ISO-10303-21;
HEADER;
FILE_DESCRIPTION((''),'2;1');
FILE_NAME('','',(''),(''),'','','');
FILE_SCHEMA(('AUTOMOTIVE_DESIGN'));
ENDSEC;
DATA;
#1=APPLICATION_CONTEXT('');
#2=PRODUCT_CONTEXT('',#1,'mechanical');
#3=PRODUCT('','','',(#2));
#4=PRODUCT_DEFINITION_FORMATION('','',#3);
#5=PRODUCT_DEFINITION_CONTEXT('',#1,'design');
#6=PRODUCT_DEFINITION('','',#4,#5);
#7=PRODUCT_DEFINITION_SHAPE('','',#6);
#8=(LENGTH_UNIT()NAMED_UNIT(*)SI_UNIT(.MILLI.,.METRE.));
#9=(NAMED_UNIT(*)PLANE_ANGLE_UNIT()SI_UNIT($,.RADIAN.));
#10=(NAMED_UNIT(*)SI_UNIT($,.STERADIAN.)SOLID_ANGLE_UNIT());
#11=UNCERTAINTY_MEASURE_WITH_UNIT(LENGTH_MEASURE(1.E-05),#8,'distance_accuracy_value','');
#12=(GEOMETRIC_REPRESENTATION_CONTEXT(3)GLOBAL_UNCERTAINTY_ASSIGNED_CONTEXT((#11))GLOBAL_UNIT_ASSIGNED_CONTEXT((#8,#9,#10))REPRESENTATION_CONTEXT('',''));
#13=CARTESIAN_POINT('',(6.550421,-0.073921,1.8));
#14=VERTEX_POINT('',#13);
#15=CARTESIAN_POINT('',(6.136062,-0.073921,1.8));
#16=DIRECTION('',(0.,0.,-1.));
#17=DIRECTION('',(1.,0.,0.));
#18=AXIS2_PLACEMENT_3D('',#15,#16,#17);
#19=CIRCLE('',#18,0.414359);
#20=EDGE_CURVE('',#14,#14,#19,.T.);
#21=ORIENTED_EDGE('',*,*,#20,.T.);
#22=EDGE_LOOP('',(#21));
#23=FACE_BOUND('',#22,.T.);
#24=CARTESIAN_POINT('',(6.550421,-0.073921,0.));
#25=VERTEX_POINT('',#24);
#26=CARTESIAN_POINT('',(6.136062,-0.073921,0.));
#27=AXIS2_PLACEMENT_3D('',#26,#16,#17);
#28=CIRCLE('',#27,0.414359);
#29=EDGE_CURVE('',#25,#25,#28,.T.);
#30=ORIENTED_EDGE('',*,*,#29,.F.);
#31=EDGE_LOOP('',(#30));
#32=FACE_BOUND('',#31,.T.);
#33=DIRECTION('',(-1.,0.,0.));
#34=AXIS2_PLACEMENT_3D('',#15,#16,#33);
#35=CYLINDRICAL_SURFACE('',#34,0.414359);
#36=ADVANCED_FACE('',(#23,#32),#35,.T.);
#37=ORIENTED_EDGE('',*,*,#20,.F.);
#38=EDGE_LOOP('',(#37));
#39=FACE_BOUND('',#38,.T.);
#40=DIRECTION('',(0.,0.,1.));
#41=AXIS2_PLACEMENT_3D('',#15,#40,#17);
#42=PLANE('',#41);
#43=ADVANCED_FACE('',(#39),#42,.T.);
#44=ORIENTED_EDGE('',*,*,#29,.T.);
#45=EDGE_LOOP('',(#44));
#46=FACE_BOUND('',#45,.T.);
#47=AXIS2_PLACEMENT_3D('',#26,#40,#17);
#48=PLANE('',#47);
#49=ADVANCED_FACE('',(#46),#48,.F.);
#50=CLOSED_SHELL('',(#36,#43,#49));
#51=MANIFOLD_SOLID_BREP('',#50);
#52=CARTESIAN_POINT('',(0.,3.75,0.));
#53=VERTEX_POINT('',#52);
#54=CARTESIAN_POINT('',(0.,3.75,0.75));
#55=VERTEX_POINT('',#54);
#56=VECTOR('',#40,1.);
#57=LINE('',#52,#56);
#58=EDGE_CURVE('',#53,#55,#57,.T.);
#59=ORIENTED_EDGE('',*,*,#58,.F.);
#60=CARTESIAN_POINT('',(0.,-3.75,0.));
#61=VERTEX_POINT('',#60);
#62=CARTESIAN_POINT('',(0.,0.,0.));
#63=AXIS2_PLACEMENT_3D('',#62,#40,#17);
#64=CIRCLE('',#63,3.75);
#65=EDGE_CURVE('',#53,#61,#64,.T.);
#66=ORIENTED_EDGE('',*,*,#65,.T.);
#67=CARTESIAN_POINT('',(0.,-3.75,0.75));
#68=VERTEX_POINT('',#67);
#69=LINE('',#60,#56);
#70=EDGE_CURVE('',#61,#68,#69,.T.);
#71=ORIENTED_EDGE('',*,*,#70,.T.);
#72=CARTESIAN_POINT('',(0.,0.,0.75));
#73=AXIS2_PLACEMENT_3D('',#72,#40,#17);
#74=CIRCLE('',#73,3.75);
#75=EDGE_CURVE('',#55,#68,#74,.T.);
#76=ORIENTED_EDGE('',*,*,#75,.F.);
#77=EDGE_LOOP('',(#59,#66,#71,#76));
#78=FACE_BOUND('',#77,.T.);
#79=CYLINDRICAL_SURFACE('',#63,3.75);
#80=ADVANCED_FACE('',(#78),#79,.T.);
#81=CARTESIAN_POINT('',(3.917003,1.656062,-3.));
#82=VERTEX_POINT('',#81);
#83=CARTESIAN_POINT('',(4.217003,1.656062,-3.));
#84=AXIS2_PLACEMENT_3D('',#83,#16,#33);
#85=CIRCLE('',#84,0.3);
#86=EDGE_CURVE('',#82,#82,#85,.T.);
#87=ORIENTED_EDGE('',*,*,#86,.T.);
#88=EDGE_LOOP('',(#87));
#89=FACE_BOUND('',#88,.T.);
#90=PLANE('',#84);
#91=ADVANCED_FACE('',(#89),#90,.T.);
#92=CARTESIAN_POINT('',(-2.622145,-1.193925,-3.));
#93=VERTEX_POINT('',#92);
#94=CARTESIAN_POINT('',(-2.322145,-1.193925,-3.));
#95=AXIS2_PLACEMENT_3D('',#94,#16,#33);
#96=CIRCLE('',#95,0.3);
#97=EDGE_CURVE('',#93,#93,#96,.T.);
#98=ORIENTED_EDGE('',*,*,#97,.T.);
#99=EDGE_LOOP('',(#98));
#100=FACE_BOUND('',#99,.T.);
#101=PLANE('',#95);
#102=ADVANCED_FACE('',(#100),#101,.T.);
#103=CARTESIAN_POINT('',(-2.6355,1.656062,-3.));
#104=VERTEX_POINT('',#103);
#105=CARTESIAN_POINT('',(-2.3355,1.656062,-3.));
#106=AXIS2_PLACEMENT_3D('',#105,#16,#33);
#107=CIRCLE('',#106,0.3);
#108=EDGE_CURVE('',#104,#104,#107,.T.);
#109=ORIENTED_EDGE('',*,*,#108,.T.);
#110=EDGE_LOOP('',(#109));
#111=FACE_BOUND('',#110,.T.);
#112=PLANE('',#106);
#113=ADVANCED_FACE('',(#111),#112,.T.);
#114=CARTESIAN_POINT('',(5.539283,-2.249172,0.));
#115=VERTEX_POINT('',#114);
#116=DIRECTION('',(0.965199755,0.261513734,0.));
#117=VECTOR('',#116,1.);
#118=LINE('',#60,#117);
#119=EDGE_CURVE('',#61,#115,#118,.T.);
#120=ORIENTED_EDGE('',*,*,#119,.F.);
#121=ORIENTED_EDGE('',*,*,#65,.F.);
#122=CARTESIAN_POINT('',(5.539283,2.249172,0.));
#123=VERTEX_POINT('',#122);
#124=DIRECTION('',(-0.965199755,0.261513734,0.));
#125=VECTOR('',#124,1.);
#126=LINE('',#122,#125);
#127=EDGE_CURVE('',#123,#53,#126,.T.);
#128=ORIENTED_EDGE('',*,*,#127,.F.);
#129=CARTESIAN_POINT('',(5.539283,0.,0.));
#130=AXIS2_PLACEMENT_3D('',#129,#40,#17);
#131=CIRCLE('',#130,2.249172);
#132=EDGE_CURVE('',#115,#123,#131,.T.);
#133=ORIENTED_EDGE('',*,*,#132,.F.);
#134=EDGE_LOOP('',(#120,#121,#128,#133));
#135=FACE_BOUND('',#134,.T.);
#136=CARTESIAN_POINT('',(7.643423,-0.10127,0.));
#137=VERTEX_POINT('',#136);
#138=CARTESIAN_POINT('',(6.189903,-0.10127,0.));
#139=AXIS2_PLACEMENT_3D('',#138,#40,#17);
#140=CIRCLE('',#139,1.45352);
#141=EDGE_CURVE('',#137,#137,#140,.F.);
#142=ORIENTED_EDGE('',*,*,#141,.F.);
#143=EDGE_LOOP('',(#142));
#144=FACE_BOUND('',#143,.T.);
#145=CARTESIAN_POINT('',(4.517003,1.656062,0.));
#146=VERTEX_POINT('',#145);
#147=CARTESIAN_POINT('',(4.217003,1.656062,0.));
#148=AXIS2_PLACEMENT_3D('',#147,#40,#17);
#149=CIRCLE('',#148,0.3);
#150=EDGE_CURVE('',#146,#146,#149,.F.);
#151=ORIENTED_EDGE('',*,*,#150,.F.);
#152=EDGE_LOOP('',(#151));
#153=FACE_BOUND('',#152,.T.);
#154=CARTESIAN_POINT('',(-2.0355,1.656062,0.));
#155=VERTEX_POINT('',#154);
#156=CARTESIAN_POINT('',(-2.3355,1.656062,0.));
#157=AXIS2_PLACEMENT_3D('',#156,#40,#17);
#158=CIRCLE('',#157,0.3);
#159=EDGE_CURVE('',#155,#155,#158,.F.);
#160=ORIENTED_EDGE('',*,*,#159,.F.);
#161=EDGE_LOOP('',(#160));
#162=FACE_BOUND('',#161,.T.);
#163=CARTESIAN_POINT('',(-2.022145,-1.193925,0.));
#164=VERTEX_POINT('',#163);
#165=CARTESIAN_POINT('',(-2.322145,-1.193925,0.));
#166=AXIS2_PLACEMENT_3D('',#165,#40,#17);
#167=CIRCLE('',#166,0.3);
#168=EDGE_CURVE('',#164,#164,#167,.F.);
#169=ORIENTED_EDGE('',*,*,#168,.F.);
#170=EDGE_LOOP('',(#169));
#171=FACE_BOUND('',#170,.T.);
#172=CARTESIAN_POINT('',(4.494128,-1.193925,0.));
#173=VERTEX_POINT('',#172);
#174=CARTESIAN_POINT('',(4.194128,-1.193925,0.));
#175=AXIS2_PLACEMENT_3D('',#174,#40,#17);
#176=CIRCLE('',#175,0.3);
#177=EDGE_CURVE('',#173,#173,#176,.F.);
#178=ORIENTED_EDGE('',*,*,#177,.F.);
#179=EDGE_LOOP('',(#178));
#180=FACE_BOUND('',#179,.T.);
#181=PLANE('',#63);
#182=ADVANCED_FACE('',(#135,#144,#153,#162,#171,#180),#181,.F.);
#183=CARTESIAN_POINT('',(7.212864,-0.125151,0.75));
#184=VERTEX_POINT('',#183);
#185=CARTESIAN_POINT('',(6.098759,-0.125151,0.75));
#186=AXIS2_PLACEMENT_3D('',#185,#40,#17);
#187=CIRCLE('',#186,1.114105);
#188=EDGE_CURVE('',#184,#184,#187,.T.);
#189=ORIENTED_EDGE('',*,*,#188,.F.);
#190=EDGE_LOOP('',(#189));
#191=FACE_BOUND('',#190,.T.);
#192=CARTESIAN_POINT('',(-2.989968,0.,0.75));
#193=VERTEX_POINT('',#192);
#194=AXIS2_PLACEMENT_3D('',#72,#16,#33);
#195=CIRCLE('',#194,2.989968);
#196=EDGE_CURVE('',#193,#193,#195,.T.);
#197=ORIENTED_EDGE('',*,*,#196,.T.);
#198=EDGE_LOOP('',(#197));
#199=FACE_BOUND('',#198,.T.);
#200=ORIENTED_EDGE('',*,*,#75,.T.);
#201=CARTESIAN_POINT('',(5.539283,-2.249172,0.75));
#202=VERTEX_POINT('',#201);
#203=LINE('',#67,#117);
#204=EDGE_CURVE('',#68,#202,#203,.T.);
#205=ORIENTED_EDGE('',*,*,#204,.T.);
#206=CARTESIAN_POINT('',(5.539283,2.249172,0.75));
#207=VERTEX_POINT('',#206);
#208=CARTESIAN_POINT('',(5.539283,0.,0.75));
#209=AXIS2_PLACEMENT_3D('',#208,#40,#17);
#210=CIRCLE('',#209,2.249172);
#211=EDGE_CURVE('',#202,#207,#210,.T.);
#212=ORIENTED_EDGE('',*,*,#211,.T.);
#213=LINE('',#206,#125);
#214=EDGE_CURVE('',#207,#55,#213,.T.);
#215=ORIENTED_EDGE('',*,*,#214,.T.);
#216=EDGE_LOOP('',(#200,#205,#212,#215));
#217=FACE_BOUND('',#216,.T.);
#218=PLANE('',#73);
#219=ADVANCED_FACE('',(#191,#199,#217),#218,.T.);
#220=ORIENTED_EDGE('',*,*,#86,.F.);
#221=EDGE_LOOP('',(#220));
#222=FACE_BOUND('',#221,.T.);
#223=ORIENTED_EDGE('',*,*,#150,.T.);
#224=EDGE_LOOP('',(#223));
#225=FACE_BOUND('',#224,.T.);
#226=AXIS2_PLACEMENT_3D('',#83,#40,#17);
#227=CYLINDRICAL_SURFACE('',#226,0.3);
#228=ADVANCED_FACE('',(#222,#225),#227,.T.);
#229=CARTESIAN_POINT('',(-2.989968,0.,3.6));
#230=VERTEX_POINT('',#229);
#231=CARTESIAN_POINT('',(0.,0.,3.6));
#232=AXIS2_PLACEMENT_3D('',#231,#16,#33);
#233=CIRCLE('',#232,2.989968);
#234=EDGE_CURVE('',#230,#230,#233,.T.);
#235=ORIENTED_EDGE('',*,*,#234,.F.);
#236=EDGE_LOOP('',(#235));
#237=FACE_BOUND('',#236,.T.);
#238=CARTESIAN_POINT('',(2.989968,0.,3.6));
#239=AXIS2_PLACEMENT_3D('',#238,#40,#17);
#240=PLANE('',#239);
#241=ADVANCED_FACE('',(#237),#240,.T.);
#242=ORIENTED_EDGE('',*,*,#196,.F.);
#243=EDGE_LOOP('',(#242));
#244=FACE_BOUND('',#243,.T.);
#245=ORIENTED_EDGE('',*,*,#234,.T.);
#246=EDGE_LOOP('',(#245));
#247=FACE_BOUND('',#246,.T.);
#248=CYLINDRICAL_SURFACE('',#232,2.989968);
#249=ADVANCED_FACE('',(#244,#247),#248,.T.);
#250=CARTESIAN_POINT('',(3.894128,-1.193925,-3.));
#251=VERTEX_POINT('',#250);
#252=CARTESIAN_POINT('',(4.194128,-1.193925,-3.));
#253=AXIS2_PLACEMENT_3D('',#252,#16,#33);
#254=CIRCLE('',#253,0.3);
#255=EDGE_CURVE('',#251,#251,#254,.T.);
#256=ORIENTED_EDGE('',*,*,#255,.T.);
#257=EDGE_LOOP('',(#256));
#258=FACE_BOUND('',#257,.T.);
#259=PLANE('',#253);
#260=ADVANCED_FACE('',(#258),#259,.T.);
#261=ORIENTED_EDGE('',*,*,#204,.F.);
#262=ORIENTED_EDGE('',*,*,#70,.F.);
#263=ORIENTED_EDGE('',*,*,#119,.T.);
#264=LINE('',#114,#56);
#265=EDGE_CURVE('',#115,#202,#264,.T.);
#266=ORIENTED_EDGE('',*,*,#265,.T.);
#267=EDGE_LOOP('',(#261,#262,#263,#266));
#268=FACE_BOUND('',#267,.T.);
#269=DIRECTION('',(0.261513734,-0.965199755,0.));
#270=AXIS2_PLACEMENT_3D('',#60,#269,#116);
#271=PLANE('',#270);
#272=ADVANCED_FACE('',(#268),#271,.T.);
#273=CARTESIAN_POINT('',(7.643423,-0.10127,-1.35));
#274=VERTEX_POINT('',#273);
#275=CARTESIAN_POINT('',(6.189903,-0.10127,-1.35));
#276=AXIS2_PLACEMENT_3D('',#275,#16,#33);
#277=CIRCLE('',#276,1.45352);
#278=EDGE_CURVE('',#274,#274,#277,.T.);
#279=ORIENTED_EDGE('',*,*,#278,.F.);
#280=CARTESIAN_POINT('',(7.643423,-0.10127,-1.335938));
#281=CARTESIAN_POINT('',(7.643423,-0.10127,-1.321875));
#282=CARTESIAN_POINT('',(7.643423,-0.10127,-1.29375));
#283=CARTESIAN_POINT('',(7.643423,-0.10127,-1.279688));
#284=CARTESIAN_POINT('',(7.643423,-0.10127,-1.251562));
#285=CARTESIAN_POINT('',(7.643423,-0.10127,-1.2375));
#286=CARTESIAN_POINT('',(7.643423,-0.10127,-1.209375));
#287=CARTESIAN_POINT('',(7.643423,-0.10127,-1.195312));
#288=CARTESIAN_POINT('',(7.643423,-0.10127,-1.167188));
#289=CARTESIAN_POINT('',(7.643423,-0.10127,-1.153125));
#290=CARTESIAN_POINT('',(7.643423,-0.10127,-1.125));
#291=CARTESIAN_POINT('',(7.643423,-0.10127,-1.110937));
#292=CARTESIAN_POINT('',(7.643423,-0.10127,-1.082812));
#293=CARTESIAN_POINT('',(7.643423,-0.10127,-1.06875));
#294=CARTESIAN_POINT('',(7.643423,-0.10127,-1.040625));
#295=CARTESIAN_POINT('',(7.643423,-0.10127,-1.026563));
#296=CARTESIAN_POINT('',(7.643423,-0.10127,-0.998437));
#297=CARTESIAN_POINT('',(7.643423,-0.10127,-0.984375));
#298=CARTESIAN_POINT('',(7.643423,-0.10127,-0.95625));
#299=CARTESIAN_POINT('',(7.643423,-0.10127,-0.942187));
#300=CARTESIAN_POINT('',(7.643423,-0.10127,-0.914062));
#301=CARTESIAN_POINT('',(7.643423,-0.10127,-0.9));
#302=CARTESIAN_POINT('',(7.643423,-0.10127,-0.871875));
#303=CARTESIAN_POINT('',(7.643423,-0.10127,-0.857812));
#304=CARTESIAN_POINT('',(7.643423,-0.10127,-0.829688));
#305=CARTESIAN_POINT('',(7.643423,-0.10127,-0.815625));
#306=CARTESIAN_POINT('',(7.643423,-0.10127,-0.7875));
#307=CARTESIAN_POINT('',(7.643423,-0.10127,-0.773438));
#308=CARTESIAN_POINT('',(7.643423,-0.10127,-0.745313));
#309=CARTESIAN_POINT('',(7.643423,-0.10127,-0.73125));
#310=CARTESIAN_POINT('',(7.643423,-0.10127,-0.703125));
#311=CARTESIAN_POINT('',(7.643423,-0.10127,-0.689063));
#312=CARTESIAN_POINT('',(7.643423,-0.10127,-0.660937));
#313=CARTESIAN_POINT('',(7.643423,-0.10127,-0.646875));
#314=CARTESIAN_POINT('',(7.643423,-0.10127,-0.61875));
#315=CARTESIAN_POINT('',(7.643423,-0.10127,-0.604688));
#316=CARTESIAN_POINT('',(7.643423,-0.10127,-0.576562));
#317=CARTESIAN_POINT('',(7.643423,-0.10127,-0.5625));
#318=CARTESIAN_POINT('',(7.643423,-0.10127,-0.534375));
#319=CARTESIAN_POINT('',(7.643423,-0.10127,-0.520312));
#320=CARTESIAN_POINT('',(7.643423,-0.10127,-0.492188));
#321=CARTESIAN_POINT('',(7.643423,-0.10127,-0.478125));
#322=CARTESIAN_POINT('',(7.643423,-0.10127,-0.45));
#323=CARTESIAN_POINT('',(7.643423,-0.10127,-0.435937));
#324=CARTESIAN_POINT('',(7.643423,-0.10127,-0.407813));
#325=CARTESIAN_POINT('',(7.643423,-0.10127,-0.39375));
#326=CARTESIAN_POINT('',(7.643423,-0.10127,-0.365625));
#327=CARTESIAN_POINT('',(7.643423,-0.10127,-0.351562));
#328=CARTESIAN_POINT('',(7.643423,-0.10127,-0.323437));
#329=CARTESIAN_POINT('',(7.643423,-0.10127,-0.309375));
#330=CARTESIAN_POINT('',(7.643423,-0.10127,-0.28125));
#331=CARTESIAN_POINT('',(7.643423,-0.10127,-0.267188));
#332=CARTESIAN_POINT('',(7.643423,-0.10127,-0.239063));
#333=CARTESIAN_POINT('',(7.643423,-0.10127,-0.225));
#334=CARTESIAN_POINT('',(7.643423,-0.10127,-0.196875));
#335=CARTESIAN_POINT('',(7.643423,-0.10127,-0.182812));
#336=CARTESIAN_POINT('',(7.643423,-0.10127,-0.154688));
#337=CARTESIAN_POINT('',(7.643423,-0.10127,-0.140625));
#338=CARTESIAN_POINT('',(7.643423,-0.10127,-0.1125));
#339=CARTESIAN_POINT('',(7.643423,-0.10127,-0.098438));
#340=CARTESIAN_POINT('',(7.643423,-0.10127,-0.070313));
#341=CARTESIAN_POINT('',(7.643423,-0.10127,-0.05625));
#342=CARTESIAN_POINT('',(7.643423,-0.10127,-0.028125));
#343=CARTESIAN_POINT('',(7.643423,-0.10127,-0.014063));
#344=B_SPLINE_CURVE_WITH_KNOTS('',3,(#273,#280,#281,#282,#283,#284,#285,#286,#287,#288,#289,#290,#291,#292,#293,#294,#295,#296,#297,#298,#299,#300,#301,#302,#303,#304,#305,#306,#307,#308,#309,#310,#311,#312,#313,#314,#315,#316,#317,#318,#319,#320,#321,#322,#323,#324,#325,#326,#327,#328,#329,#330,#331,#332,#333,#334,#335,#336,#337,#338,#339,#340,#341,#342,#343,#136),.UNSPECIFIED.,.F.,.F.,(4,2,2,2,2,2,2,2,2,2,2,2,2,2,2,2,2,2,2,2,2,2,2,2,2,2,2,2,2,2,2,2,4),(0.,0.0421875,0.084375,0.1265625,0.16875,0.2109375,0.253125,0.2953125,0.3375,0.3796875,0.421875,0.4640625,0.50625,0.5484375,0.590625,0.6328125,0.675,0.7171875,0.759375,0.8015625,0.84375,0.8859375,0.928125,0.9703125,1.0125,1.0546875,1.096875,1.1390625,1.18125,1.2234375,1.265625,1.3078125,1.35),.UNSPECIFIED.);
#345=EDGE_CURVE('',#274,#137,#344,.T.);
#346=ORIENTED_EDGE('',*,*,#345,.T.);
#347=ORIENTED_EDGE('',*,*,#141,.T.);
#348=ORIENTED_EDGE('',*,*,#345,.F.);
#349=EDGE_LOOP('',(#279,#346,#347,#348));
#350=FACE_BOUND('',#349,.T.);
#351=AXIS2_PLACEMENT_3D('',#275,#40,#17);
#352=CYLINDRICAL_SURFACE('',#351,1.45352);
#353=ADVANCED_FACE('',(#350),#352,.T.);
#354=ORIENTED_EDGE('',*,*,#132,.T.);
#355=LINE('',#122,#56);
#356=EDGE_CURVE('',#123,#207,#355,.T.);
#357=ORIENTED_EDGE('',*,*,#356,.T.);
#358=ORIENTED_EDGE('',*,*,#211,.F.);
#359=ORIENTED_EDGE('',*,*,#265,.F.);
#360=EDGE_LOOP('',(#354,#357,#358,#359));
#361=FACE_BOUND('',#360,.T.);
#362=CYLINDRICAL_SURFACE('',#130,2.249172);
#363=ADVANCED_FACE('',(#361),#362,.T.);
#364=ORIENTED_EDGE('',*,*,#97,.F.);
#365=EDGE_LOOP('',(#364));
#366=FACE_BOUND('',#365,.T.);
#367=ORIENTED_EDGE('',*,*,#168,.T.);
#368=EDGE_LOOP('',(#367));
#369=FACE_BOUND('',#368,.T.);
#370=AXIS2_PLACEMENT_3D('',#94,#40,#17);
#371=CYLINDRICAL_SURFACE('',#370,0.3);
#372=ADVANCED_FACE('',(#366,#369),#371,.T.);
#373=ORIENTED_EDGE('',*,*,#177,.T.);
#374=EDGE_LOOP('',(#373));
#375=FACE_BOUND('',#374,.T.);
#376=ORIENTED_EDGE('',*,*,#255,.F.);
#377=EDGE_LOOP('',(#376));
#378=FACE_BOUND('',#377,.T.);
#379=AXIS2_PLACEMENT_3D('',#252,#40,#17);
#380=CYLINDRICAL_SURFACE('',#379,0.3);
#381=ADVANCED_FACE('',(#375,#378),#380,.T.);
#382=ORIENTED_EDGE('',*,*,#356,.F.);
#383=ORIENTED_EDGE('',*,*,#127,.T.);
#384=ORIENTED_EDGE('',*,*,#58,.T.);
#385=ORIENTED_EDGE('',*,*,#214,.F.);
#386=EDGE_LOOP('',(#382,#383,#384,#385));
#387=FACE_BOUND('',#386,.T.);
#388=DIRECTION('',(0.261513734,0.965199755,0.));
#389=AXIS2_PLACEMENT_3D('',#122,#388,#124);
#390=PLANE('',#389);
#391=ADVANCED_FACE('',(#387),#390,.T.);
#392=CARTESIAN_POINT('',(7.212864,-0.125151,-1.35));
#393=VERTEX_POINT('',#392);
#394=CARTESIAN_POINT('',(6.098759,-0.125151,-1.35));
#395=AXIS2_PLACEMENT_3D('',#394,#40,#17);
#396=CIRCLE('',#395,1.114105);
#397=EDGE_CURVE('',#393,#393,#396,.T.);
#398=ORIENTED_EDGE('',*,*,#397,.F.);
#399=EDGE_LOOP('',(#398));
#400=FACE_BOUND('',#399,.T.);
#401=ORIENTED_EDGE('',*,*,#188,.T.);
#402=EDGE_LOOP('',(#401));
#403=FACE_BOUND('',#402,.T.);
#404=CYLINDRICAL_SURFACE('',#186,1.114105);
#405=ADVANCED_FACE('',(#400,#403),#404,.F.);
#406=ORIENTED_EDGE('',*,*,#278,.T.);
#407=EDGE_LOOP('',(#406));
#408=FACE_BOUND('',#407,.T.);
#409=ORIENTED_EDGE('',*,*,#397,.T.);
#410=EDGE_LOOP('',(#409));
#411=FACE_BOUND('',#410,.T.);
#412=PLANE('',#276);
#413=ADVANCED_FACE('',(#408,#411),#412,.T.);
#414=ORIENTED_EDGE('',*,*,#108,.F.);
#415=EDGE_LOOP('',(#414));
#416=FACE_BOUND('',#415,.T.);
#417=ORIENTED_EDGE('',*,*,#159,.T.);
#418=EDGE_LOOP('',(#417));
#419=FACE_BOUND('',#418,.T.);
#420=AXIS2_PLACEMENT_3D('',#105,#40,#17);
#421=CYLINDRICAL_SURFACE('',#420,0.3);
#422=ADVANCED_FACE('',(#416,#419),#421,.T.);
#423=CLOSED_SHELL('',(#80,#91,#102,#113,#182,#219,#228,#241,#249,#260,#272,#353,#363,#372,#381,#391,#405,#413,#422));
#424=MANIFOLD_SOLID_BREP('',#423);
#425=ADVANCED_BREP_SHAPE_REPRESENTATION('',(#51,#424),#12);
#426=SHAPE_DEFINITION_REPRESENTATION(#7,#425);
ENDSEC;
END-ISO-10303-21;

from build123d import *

# Parameters (mm, degrees)
BOSS_EXTRUDE1_DEPTH  = 0.75
SKETCH2_R            = 1.453519805
BOSS_EXTRUDE2_DEPTH  = 1.35
M2_CLEARANCE_HOLE1_D = 2.22821008
SKETCH5_R            = 0.414358547
BOSS_EXTRUDE3_DEPTH  = 1.8
SKETCH6_R            = 0.3
BOSS_EXTRUDE4_DEPTH  = 3
SKETCH7_R            = 0.3
BOSS_EXTRUDE5_DEPTH  = 3
SKETCH8_R            = 0.3
BOSS_EXTRUDE6_DEPTH  = 3
SKETCH9_R            = 0.3
BOSS_EXTRUDE7_DEPTH  = 3
SKETCH10_W           = 2.989968033
SKETCH10_H           = 2.85


with BuildPart() as part:
    # Sketch1 → Boss-Extrude1 (new body)
    with BuildSketch(Plane.XY.offset(0.75)):
        with BuildLine():
            Line((0, -3.75), (5.539283427, -2.24917213))
            ThreePointArc((5.539283427, -2.24917213), (7.788455557, 0), (5.539283427, 2.24917213))
            Line((5.539283427, 2.24917213), (0, 3.75))
            ThreePointArc((0, 3.75), (-3.75, 0), (0, -3.75))
        make_face()
    extrude(amount=-BOSS_EXTRUDE1_DEPTH)

    # Sketch2 → Boss-Extrude2 (add)
    with BuildSketch(Plane(origin=(0, 0, 0), x_dir=(-1, 0, 0), z_dir=(0, 0, -1))):
        with Locations(Location((-6.189903002, -0.101269822, 0), (0, 0, 180))):
            Circle(SKETCH2_R)
    extrude(amount=BOSS_EXTRUDE2_DEPTH)

    # M2 Clearance Hole1 (through all)
    with Locations(Plane.XY.offset(0.75)):
        with Locations((6.098758585, -0.125150984)):
            Hole(M2_CLEARANCE_HOLE1_D / 2)

    # Sketch6 → Boss-Extrude4 (add)
    with BuildSketch(Plane(origin=(0, 0, 0), x_dir=(-1, 0, 0), z_dir=(0, 0, -1))):
        with Locations(Location((-4.194127883, -1.193925315, 0), (0, 0, 180))):
            Circle(SKETCH6_R)
    extrude(amount=BOSS_EXTRUDE4_DEPTH)

    # Sketch7 → Boss-Extrude5 (add)
    with BuildSketch(Plane(origin=(0, 0, 0), x_dir=(-1, 0, 0), z_dir=(0, 0, -1))):
        with Locations(Location((2.322145059, -1.193925315, 0), (0, 0, 180))):
            Circle(SKETCH7_R)
    extrude(amount=BOSS_EXTRUDE5_DEPTH)

    # Sketch8 → Boss-Extrude6 (add)
    with BuildSketch(Plane(origin=(0, 0, 0), x_dir=(-1, 0, 0), z_dir=(0, 0, -1))):
        with Locations(Location((-4.217003228, 1.656061577, 0), (0, 0, 180))):
            Circle(SKETCH8_R)
    extrude(amount=BOSS_EXTRUDE6_DEPTH)

    # Sketch9 → Boss-Extrude7 (add)
    with BuildSketch(Plane(origin=(0, 0, 0), x_dir=(-1, 0, 0), z_dir=(0, 0, -1))):
        with Locations(Location((2.335500338, 1.656061577, 0), (0, 0, 180))):
            Circle(SKETCH9_R)
    extrude(amount=BOSS_EXTRUDE7_DEPTH)

    # Sketch10 → Revolve1 (revolve)
    with BuildSketch(Plane.XZ, mode=Mode.PRIVATE) as revolve1_sk:
        with Locations((1.494984017, 2.175)):
            Rectangle(SKETCH10_W, SKETCH10_H)
    revolve(revolve1_sk.sketch.rotate(Axis((0, 0, 3.6), (0, 0, -1)), 180), axis=Axis((0, 0, 3.6), (0, 0, -1)))


with BuildPart() as body_2:
    # Sketch5 → Boss-Extrude3 (new body)
    with BuildSketch(Plane(origin=(0, 0, 0), x_dir=(-1, 0, 0), z_dir=(0, 0, -1))):
        with Locations(Location((-6.136062205, -0.07392106, 0), (0, 0, 180))):
            Circle(SKETCH5_R)
    extrude(amount=-BOSS_EXTRUDE3_DEPTH)


solid = Compound([part.part, body_2.part])
